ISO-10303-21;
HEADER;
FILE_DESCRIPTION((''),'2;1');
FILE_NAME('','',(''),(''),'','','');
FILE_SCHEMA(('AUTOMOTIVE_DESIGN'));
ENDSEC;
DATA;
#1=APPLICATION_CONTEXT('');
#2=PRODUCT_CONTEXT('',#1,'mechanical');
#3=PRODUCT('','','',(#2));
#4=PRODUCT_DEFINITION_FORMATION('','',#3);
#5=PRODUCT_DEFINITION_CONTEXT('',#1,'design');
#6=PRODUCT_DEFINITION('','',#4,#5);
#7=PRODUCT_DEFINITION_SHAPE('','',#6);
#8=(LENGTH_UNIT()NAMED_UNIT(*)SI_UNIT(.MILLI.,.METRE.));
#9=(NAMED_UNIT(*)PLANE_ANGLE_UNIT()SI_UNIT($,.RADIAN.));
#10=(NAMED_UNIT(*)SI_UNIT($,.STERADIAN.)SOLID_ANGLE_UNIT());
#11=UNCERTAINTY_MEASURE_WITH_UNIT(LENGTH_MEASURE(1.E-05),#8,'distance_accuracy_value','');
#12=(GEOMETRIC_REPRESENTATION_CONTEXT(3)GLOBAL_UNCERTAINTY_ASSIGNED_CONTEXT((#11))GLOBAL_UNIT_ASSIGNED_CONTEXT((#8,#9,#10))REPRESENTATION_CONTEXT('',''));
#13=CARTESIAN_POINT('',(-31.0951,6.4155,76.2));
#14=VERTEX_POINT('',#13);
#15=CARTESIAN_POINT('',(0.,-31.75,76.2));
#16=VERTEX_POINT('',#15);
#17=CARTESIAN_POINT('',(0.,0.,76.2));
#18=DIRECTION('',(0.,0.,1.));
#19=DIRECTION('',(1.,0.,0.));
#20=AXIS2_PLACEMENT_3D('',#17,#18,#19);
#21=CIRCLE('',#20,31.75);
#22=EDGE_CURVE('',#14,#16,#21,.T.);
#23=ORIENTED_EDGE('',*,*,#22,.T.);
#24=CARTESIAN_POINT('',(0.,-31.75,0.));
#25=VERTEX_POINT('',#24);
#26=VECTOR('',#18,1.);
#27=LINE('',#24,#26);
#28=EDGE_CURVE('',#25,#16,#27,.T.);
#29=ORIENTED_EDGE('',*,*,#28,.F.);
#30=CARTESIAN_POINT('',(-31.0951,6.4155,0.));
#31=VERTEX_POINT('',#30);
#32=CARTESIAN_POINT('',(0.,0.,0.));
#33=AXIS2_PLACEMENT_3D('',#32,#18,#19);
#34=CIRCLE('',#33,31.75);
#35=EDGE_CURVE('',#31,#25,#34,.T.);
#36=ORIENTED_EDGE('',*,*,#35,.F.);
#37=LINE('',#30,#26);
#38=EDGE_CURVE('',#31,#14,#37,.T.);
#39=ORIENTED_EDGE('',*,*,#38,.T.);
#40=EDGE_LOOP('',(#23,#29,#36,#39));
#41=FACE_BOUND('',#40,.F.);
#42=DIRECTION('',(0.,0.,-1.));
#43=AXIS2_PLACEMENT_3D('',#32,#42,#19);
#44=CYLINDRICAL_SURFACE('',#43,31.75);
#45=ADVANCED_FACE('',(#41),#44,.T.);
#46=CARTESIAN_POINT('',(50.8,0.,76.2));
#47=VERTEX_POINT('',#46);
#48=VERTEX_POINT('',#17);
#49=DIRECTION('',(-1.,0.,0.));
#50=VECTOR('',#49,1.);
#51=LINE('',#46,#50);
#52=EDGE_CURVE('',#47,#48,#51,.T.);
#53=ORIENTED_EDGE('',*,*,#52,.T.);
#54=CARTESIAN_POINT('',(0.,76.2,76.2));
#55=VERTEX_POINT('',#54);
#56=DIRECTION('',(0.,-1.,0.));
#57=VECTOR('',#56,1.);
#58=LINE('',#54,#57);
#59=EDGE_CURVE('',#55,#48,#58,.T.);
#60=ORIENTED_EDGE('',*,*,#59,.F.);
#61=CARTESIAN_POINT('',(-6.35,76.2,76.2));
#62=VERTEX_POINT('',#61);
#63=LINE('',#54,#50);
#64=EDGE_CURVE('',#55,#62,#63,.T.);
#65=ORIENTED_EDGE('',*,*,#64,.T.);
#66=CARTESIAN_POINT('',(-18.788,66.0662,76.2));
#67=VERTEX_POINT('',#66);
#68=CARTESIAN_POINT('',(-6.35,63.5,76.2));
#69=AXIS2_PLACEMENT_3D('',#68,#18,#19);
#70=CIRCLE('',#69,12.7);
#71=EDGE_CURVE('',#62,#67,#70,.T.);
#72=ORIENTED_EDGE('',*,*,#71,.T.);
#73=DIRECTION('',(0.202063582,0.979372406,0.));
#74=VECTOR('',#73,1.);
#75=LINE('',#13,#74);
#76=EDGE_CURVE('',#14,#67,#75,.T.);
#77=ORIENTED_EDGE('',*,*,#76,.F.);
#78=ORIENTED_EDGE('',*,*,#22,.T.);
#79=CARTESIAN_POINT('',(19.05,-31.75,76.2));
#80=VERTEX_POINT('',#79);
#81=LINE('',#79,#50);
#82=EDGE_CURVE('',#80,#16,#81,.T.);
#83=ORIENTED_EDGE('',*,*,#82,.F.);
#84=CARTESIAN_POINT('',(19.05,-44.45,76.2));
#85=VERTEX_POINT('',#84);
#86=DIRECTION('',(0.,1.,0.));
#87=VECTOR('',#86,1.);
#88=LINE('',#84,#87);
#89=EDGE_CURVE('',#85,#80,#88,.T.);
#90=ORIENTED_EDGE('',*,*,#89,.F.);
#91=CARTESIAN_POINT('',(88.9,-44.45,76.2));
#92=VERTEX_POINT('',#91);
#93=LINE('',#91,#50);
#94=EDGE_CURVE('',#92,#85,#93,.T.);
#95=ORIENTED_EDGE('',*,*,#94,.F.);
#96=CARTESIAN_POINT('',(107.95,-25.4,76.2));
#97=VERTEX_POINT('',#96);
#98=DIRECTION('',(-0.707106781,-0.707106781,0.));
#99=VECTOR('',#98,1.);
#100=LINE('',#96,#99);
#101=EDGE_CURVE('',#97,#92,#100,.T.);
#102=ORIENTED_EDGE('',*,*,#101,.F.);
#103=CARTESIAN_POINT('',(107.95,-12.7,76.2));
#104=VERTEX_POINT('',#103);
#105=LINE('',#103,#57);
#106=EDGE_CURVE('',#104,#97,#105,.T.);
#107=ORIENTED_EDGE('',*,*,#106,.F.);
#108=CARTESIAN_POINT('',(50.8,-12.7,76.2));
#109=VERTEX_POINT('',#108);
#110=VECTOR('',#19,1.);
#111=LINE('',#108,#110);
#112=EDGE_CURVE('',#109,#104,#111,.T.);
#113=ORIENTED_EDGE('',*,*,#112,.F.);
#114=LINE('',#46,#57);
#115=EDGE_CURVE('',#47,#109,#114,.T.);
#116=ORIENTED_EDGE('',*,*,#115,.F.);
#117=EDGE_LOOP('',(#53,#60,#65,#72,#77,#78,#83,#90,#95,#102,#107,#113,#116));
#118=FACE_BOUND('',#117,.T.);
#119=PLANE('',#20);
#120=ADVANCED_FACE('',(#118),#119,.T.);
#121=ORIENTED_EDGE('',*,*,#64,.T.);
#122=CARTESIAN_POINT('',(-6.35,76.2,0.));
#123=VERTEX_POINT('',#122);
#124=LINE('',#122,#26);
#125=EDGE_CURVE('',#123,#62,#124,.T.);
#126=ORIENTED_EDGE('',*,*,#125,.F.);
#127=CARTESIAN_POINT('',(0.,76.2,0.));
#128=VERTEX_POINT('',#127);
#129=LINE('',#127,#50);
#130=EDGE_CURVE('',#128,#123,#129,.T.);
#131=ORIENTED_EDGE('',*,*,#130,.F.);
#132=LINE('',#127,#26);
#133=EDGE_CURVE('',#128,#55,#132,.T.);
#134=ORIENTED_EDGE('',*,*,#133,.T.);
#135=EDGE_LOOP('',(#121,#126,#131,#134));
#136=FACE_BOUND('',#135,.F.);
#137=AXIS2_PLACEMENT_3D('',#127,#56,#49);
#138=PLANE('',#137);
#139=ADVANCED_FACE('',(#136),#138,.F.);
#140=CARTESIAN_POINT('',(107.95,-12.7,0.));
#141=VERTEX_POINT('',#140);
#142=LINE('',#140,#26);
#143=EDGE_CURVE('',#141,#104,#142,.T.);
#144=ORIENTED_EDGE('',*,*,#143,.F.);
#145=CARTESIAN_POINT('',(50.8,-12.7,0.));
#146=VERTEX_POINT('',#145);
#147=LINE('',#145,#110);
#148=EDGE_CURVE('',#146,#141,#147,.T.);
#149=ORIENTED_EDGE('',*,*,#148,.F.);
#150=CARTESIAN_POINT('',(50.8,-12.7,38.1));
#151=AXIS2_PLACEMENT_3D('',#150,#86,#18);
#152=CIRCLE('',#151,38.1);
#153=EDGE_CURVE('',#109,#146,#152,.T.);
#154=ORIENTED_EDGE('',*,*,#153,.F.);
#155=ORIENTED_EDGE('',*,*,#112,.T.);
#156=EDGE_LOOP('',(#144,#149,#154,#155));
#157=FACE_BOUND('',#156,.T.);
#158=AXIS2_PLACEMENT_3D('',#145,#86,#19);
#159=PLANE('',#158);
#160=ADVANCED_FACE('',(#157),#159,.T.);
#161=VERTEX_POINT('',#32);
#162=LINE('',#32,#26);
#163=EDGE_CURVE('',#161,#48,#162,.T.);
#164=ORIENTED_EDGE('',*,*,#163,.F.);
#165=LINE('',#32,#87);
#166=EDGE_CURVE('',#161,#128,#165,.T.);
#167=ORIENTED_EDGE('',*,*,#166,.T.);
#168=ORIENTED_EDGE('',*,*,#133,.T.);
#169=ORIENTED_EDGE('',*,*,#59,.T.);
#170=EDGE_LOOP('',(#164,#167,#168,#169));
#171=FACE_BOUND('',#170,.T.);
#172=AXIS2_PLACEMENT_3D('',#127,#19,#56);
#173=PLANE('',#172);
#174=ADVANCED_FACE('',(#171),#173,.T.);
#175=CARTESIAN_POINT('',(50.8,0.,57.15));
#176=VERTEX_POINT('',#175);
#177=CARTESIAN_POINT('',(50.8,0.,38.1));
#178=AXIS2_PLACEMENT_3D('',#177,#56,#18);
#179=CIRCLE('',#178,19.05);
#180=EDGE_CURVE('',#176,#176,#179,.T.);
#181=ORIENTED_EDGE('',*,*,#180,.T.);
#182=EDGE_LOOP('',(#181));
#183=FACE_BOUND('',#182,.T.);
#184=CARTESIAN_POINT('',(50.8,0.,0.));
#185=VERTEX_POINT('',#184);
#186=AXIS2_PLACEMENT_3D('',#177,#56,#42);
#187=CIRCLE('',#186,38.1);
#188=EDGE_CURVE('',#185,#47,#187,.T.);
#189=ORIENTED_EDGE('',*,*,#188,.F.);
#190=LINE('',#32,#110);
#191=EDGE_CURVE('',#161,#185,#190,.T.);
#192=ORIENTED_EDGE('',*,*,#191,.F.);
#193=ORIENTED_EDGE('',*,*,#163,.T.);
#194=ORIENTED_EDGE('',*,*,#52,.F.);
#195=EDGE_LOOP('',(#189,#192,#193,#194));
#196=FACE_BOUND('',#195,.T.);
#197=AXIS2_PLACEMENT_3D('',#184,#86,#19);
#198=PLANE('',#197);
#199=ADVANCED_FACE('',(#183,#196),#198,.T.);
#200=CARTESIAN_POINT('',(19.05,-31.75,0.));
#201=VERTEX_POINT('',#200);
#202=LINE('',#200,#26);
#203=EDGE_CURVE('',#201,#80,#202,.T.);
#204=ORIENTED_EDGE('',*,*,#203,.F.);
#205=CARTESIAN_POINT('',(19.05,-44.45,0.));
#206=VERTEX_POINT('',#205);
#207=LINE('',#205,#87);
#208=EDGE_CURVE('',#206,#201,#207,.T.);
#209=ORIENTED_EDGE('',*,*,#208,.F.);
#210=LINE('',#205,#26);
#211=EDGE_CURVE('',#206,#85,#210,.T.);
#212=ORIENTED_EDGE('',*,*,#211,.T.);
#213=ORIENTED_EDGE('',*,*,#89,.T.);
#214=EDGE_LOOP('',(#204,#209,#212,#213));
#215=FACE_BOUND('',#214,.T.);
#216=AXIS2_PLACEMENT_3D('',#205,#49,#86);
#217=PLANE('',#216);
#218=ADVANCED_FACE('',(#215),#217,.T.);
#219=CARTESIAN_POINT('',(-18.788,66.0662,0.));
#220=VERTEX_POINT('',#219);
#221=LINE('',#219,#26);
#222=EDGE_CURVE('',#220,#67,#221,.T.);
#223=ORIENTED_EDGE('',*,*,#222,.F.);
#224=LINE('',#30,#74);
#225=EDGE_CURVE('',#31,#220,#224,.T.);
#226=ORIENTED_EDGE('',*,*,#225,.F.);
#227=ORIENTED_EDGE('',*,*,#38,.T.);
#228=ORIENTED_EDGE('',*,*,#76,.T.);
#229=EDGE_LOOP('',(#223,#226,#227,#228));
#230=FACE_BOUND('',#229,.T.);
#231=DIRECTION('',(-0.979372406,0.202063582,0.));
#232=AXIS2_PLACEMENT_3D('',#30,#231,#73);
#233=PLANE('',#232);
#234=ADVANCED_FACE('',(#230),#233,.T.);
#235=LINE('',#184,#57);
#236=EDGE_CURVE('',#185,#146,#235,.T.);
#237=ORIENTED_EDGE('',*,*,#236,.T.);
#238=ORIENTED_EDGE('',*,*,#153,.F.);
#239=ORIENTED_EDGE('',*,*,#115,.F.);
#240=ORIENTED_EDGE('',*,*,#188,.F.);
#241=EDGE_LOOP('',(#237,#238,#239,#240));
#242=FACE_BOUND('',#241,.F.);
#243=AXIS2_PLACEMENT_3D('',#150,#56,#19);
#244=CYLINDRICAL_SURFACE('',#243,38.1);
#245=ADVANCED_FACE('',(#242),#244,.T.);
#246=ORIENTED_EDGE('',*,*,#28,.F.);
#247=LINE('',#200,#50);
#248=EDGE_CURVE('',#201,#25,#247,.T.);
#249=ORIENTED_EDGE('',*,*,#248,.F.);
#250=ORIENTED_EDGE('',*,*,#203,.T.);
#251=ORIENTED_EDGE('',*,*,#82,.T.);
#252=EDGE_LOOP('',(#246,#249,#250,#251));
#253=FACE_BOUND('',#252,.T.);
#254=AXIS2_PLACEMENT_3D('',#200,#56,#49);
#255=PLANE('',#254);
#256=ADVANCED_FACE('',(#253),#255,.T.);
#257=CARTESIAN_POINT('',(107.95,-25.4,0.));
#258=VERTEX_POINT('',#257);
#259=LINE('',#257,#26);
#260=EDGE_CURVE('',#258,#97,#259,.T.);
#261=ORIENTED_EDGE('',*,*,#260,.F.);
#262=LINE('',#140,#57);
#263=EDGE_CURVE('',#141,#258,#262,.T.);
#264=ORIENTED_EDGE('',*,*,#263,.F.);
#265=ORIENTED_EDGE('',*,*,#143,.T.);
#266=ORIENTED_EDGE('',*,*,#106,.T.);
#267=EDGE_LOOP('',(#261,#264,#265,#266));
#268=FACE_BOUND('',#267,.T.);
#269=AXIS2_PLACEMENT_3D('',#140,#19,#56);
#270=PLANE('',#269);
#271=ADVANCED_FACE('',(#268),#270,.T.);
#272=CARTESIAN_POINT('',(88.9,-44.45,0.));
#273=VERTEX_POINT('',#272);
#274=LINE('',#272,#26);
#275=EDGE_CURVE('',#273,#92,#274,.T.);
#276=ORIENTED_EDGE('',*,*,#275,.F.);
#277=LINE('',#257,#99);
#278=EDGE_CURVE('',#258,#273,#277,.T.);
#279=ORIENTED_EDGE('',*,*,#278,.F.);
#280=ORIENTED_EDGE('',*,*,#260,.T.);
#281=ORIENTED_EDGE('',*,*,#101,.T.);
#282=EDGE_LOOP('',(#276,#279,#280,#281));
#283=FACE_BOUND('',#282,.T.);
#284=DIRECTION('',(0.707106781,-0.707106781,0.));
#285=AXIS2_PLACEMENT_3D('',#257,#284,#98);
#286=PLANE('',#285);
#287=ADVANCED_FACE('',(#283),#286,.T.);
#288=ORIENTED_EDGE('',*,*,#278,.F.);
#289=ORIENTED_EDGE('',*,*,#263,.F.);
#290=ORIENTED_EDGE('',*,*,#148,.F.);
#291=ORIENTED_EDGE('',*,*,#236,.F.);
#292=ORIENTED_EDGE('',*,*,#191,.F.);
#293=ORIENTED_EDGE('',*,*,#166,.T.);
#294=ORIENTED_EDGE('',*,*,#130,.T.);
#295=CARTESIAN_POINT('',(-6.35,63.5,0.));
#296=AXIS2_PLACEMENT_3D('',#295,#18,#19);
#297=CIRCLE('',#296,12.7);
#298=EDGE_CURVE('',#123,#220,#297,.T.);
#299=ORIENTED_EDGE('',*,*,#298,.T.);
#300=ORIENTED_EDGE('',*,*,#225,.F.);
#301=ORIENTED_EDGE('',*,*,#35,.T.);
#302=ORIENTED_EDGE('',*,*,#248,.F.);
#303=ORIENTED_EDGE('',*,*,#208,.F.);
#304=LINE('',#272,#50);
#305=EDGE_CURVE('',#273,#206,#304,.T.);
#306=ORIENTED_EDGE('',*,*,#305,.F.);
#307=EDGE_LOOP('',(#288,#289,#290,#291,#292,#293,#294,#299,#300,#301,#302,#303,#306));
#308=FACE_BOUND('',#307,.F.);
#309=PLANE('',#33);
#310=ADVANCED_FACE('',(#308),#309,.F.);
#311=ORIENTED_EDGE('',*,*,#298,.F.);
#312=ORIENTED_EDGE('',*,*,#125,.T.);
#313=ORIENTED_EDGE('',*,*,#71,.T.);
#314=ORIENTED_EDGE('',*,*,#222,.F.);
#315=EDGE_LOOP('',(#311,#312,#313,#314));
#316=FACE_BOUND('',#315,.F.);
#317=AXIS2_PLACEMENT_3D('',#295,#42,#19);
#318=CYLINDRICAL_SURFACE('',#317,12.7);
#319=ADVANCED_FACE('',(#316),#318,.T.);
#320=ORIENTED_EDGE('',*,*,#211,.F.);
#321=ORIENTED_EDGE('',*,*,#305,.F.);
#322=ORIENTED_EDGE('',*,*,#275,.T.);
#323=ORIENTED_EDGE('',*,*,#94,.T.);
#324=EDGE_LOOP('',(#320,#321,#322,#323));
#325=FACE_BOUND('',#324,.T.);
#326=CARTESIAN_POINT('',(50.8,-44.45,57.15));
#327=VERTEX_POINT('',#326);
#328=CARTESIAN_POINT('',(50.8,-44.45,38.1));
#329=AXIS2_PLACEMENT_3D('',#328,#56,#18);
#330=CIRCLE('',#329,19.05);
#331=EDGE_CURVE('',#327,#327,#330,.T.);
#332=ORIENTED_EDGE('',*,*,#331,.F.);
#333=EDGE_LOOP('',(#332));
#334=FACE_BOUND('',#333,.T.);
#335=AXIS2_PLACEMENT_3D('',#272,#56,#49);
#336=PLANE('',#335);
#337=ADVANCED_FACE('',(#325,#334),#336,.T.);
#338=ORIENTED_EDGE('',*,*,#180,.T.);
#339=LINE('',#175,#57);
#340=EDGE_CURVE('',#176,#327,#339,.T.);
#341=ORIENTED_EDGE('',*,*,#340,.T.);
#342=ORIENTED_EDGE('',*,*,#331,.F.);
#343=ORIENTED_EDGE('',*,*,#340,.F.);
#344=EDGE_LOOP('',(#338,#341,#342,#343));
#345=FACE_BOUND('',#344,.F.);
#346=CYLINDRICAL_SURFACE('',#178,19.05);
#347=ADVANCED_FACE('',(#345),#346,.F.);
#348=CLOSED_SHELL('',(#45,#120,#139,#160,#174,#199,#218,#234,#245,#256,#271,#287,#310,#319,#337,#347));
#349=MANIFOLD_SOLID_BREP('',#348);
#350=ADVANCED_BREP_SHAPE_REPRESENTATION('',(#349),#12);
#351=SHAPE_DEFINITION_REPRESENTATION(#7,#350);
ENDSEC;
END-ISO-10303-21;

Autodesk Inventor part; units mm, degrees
ref_plane "YZ Plane" through (0, 0, 0) normal (1, 0, 0) x (0, 1, 0)
ref_plane "XZ Plane" through (0, 0, 0) normal (0, 1, 0) x (-1, 0, 0)
ref_plane "XY Plane" through (0, 0, 0) normal (0, 0, 1) x (1, 0, 0)
sketch "Sketch1" plane through (0, 0, 0) normal (0, 0, 1) x (1, 0, 0)
  line L0 (0, 76.2) -> (0, 0)
  line L1 (0, 0) -> (50.8, 0)
  line L2 (50.8, 0) -> (50.8, -12.7)
  line L3 (50.8, -12.7) -> (107.95, -12.7)
  line L4 (107.95, -12.7) -> (107.95, -25.4)
  line L5 (107.95, -25.4) -> (88.9, -44.45)
  line L6 (88.9, -44.45) -> (19.05, -44.45)
  line L7 (0, 76.2) -> (-6.35, 76.2)
  circle A0 centre (-6.35, 63.5) radius 12.7
  circle A1 centre (0, 0) radius 31.75
  line L8 (19.05, -44.45) -> (19.05, -31.75)
  line L9 (-31.0951, 6.4155) -> (-18.788, 66.0662)
  line L10 (19.05, -31.75) -> (0, -31.75)
  point P0 (0, 74.4985)
  dimension "d0" = 6.35
  dimension "d1" = 69.85
  dimension "d2" = 12.7
  dimension "d3" = 76.2
  dimension "d4" = 63.5
  dimension "d5" = 19.05
  dimension "d7" = 31.75
  dimension "d8" = 107.95
  dimension "d9" = 25.4
  dimension "d10" = 12.7
  dimension "d11" = 50.8
  dimension "d12" = 44.45
extrude "Extrusion1" add sketch "Sketch1" along normal blind 76.2 contours L0 A0 L7 | L0 A0 | L0 A1 L9 A0 | L0 L1 A1 | L1 L2 L3 L4 L5 L6 L8 L10 A1 picked at (-6.7952, 59.4597) picked at (-19.9789, 6.5634)
sketch "Sketch2" plane through (50.8, -12.7, 0) normal (0, 1, 0) x (1, 0, 0)
  line L0 (0, 0) -> (0, -76.2) construction
  circle A0 centre (0, -38.1) radius 38.1
  point P0 (-50.8, 0)
extrude "Extrusion2" add sketch "Sketch2" along normal up to surface (12.7 mm away)
sketch "Sketch3" plane through (0, 0, 76.2) normal (0, 1, 0) x (1, 0, 0)
  arc A0 (50.8, 0) -> (50.8, 76.2) centre (50.8, 38.1) ccw construction
  point P0 (0, 76.2)
hole "Hole1" at (50.8, 0, 38.1) direction (0, -1, 0) diameter 38.1 end through all
properties part number "ch4-3"
